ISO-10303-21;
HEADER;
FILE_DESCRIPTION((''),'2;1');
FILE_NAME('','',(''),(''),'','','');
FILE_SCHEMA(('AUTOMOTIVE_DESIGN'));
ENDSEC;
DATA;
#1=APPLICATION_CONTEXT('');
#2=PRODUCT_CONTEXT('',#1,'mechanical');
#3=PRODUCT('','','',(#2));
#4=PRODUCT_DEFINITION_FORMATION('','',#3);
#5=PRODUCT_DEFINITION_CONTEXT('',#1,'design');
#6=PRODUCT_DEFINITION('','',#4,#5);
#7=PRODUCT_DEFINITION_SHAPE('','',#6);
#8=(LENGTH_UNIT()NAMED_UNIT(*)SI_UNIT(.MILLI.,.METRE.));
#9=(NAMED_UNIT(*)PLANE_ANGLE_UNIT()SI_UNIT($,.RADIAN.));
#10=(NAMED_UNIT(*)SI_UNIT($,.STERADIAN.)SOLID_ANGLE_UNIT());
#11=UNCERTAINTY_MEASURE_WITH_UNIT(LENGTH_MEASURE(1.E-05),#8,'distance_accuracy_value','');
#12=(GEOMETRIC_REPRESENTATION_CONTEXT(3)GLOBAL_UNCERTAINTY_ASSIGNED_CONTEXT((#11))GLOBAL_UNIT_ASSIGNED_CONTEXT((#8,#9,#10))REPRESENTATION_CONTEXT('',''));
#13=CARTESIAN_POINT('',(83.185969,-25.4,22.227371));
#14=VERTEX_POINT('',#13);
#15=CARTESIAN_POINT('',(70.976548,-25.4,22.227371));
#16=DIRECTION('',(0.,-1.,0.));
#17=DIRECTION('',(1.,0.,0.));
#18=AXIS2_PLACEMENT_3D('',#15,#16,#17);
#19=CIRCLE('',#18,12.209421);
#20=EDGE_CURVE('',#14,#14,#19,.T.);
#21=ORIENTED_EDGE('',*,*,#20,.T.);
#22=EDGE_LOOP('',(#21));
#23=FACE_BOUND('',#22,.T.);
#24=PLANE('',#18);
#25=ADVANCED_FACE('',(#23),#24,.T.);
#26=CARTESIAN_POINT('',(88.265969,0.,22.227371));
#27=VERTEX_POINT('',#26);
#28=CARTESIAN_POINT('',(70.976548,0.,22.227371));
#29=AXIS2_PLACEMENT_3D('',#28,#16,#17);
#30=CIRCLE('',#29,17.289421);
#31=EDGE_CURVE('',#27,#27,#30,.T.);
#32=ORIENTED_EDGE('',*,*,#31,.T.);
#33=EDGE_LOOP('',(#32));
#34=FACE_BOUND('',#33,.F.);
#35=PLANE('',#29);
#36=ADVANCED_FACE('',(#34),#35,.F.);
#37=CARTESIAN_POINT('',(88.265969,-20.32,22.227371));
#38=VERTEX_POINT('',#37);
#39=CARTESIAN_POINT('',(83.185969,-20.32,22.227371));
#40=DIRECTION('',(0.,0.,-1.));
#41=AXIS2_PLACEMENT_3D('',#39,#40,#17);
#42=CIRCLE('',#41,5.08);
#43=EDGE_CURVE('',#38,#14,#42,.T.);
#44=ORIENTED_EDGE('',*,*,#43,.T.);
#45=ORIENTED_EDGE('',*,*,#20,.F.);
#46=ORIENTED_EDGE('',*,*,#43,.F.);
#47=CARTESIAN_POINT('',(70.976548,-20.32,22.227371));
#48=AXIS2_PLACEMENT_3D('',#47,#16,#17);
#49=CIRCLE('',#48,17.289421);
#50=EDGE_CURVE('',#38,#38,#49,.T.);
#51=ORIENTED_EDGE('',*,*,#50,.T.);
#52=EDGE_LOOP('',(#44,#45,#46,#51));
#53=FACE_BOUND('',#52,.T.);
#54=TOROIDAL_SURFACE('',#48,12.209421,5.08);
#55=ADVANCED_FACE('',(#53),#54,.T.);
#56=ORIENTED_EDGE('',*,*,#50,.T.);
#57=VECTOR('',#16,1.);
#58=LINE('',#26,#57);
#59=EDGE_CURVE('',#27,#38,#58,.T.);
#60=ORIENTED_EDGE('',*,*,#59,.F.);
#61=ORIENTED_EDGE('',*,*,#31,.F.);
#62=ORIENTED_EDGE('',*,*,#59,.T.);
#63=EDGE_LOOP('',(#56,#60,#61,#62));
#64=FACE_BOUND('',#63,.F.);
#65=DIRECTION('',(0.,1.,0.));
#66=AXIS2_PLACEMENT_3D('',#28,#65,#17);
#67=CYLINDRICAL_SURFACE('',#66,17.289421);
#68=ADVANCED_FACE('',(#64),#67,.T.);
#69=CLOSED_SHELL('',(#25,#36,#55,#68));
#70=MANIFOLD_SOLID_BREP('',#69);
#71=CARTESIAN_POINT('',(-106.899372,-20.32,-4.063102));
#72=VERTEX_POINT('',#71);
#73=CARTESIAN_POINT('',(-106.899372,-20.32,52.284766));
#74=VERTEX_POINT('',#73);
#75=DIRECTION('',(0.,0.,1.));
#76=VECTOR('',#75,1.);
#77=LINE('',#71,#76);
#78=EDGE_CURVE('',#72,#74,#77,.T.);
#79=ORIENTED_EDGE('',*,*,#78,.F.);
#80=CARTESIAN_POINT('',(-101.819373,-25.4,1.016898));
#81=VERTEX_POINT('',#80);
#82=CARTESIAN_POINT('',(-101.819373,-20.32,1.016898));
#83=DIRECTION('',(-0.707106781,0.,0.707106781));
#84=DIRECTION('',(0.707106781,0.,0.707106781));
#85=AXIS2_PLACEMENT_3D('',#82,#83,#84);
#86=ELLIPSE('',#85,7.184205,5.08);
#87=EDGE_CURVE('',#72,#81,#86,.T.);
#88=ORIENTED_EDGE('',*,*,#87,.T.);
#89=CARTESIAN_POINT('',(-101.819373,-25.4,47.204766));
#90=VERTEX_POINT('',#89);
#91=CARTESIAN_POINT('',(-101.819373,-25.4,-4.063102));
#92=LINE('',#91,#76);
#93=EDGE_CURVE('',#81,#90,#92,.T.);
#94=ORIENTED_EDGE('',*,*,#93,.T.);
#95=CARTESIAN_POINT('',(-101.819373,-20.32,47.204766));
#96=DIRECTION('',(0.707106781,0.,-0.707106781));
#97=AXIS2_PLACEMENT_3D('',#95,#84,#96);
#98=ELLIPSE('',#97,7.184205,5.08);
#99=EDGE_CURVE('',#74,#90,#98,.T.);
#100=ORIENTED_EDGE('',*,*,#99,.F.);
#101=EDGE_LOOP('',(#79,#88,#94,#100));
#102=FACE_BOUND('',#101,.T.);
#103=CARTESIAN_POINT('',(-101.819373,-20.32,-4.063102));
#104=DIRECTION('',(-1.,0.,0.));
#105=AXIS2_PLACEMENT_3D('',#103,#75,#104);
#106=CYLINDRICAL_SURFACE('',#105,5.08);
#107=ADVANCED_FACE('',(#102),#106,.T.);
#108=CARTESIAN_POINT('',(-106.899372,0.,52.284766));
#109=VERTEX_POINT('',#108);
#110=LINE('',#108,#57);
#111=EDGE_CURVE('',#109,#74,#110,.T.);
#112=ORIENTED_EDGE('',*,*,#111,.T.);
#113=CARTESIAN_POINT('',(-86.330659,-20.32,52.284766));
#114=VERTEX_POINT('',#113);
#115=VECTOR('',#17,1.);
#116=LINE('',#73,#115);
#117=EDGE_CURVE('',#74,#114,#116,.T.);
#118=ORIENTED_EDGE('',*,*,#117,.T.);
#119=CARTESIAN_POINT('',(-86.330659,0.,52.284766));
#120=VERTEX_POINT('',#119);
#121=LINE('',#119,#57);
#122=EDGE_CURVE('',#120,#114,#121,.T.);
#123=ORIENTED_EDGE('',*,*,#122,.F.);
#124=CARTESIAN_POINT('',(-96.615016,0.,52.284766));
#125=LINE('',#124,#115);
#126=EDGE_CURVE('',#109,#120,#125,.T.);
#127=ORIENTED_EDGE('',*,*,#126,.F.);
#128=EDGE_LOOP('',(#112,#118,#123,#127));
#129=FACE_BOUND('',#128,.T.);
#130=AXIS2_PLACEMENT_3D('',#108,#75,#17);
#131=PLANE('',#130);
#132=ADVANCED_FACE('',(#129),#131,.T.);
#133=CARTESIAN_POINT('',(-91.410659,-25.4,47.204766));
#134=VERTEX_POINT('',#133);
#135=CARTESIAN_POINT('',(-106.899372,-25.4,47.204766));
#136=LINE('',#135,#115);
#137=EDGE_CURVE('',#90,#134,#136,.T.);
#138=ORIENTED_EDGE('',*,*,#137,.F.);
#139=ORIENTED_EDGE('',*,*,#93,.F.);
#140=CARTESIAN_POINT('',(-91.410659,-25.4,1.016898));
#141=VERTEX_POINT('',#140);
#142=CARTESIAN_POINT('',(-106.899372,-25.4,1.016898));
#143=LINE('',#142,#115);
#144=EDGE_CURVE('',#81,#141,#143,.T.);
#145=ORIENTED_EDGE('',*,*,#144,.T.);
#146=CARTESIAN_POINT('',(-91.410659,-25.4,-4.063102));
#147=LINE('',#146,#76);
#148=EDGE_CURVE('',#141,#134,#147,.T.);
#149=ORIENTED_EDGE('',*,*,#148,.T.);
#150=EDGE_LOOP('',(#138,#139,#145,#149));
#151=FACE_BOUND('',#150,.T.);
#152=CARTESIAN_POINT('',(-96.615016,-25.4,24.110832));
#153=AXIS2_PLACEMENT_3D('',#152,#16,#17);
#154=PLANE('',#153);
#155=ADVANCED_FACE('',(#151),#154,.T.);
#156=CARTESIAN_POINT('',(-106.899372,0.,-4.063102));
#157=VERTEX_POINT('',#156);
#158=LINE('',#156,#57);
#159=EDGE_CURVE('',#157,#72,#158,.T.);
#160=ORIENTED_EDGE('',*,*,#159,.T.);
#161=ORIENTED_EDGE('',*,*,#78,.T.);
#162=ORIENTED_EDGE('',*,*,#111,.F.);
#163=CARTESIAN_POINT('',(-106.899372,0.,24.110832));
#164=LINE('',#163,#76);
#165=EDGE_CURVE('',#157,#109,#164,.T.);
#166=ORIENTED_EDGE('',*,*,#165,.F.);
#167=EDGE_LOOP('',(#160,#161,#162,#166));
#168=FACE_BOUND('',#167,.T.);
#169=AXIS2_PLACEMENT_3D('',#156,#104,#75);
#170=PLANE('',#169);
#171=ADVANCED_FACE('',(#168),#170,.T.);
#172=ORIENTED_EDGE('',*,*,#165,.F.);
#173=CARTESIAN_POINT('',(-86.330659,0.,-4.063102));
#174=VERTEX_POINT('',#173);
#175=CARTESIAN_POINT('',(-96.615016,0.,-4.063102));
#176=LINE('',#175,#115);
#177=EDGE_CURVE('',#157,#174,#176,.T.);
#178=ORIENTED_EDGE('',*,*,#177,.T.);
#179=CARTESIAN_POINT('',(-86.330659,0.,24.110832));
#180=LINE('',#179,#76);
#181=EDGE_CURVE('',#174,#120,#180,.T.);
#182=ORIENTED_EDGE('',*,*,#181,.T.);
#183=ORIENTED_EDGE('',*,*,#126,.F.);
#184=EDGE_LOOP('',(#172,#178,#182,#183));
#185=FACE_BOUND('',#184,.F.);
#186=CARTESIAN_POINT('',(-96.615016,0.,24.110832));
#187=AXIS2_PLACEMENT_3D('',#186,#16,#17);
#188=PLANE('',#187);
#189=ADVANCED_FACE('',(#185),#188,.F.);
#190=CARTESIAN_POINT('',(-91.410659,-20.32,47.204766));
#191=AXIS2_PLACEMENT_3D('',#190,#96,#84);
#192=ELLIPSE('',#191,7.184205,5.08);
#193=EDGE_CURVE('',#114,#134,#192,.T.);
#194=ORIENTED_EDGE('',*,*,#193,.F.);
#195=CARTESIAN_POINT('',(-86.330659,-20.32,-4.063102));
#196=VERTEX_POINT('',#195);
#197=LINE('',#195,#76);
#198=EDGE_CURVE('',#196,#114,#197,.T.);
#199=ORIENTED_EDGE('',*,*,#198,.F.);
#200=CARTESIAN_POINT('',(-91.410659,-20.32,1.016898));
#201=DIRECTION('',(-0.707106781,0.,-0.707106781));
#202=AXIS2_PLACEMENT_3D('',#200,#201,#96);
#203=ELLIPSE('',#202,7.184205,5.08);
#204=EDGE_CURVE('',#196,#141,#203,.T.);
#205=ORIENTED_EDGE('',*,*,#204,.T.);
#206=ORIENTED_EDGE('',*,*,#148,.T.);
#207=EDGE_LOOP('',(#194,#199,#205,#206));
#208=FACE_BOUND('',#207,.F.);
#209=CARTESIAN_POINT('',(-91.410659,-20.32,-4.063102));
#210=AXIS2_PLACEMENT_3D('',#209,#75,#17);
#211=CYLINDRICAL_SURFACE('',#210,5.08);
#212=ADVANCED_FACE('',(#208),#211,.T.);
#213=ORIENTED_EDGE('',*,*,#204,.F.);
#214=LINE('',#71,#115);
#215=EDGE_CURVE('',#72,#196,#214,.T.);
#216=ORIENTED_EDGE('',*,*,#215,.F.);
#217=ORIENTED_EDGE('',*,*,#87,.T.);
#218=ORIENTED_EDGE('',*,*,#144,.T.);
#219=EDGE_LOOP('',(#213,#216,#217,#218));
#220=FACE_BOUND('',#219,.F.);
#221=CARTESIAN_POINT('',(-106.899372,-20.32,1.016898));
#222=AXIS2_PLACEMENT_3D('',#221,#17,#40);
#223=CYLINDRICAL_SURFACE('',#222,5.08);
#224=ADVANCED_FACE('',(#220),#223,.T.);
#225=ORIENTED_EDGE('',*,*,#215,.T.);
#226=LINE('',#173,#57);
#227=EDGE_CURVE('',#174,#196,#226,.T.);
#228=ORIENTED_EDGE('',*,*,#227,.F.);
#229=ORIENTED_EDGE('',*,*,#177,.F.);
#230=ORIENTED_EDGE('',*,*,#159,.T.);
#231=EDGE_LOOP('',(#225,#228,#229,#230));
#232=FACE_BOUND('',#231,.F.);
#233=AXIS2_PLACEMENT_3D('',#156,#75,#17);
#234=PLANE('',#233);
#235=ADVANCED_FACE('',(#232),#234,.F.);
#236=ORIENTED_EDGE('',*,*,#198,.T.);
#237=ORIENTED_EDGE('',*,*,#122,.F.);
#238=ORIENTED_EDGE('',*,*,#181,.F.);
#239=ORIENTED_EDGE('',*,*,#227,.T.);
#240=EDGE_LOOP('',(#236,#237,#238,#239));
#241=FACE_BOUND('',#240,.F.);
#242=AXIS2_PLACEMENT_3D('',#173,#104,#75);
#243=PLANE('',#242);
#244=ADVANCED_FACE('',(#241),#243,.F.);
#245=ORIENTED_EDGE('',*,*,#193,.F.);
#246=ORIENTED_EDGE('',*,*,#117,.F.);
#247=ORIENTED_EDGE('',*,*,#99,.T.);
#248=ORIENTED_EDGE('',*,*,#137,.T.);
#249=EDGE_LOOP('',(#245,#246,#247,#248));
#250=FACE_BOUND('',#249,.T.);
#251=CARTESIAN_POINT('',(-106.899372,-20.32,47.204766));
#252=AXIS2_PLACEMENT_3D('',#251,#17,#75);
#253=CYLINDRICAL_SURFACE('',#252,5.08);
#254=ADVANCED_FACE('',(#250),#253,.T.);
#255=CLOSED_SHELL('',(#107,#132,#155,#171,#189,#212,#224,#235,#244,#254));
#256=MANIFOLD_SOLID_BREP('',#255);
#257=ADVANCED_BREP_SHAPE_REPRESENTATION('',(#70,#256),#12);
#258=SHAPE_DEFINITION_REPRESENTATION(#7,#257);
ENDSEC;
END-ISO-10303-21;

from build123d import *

# Parameters (mm, degrees)
F0_W     = 20.568713
F0_H     = 56.347868
F0_R     = 17.289421
F1_DEPTH = 25.4
F2_R     = 5.08


with BuildPart() as f1:
    # F0 (on Front) → F1 (new body)
    with BuildSketch(Plane.XZ):
        with Locations((-96.615016, 24.110832)):
            Rectangle(F0_W, F0_H)
        with Locations((70.976548, 22.227371)):
            Circle(F0_R)
    extrude(amount=F1_DEPTH)

    # F2
    f2_edges = [f1.edges().sort_by_distance(p)[0] for p in [
        (-96.615016, -25.4, 52.284766),
        (-106.899373, -25.4, 24.110832),
        (-96.615016, -25.4, -4.063102),
        (-86.33066, -25.4, 24.110832),
        (53.687127, -25.4, 22.227371),
    ]]
    fillet(f2_edges, radius=F2_R)


solid = f1.part
